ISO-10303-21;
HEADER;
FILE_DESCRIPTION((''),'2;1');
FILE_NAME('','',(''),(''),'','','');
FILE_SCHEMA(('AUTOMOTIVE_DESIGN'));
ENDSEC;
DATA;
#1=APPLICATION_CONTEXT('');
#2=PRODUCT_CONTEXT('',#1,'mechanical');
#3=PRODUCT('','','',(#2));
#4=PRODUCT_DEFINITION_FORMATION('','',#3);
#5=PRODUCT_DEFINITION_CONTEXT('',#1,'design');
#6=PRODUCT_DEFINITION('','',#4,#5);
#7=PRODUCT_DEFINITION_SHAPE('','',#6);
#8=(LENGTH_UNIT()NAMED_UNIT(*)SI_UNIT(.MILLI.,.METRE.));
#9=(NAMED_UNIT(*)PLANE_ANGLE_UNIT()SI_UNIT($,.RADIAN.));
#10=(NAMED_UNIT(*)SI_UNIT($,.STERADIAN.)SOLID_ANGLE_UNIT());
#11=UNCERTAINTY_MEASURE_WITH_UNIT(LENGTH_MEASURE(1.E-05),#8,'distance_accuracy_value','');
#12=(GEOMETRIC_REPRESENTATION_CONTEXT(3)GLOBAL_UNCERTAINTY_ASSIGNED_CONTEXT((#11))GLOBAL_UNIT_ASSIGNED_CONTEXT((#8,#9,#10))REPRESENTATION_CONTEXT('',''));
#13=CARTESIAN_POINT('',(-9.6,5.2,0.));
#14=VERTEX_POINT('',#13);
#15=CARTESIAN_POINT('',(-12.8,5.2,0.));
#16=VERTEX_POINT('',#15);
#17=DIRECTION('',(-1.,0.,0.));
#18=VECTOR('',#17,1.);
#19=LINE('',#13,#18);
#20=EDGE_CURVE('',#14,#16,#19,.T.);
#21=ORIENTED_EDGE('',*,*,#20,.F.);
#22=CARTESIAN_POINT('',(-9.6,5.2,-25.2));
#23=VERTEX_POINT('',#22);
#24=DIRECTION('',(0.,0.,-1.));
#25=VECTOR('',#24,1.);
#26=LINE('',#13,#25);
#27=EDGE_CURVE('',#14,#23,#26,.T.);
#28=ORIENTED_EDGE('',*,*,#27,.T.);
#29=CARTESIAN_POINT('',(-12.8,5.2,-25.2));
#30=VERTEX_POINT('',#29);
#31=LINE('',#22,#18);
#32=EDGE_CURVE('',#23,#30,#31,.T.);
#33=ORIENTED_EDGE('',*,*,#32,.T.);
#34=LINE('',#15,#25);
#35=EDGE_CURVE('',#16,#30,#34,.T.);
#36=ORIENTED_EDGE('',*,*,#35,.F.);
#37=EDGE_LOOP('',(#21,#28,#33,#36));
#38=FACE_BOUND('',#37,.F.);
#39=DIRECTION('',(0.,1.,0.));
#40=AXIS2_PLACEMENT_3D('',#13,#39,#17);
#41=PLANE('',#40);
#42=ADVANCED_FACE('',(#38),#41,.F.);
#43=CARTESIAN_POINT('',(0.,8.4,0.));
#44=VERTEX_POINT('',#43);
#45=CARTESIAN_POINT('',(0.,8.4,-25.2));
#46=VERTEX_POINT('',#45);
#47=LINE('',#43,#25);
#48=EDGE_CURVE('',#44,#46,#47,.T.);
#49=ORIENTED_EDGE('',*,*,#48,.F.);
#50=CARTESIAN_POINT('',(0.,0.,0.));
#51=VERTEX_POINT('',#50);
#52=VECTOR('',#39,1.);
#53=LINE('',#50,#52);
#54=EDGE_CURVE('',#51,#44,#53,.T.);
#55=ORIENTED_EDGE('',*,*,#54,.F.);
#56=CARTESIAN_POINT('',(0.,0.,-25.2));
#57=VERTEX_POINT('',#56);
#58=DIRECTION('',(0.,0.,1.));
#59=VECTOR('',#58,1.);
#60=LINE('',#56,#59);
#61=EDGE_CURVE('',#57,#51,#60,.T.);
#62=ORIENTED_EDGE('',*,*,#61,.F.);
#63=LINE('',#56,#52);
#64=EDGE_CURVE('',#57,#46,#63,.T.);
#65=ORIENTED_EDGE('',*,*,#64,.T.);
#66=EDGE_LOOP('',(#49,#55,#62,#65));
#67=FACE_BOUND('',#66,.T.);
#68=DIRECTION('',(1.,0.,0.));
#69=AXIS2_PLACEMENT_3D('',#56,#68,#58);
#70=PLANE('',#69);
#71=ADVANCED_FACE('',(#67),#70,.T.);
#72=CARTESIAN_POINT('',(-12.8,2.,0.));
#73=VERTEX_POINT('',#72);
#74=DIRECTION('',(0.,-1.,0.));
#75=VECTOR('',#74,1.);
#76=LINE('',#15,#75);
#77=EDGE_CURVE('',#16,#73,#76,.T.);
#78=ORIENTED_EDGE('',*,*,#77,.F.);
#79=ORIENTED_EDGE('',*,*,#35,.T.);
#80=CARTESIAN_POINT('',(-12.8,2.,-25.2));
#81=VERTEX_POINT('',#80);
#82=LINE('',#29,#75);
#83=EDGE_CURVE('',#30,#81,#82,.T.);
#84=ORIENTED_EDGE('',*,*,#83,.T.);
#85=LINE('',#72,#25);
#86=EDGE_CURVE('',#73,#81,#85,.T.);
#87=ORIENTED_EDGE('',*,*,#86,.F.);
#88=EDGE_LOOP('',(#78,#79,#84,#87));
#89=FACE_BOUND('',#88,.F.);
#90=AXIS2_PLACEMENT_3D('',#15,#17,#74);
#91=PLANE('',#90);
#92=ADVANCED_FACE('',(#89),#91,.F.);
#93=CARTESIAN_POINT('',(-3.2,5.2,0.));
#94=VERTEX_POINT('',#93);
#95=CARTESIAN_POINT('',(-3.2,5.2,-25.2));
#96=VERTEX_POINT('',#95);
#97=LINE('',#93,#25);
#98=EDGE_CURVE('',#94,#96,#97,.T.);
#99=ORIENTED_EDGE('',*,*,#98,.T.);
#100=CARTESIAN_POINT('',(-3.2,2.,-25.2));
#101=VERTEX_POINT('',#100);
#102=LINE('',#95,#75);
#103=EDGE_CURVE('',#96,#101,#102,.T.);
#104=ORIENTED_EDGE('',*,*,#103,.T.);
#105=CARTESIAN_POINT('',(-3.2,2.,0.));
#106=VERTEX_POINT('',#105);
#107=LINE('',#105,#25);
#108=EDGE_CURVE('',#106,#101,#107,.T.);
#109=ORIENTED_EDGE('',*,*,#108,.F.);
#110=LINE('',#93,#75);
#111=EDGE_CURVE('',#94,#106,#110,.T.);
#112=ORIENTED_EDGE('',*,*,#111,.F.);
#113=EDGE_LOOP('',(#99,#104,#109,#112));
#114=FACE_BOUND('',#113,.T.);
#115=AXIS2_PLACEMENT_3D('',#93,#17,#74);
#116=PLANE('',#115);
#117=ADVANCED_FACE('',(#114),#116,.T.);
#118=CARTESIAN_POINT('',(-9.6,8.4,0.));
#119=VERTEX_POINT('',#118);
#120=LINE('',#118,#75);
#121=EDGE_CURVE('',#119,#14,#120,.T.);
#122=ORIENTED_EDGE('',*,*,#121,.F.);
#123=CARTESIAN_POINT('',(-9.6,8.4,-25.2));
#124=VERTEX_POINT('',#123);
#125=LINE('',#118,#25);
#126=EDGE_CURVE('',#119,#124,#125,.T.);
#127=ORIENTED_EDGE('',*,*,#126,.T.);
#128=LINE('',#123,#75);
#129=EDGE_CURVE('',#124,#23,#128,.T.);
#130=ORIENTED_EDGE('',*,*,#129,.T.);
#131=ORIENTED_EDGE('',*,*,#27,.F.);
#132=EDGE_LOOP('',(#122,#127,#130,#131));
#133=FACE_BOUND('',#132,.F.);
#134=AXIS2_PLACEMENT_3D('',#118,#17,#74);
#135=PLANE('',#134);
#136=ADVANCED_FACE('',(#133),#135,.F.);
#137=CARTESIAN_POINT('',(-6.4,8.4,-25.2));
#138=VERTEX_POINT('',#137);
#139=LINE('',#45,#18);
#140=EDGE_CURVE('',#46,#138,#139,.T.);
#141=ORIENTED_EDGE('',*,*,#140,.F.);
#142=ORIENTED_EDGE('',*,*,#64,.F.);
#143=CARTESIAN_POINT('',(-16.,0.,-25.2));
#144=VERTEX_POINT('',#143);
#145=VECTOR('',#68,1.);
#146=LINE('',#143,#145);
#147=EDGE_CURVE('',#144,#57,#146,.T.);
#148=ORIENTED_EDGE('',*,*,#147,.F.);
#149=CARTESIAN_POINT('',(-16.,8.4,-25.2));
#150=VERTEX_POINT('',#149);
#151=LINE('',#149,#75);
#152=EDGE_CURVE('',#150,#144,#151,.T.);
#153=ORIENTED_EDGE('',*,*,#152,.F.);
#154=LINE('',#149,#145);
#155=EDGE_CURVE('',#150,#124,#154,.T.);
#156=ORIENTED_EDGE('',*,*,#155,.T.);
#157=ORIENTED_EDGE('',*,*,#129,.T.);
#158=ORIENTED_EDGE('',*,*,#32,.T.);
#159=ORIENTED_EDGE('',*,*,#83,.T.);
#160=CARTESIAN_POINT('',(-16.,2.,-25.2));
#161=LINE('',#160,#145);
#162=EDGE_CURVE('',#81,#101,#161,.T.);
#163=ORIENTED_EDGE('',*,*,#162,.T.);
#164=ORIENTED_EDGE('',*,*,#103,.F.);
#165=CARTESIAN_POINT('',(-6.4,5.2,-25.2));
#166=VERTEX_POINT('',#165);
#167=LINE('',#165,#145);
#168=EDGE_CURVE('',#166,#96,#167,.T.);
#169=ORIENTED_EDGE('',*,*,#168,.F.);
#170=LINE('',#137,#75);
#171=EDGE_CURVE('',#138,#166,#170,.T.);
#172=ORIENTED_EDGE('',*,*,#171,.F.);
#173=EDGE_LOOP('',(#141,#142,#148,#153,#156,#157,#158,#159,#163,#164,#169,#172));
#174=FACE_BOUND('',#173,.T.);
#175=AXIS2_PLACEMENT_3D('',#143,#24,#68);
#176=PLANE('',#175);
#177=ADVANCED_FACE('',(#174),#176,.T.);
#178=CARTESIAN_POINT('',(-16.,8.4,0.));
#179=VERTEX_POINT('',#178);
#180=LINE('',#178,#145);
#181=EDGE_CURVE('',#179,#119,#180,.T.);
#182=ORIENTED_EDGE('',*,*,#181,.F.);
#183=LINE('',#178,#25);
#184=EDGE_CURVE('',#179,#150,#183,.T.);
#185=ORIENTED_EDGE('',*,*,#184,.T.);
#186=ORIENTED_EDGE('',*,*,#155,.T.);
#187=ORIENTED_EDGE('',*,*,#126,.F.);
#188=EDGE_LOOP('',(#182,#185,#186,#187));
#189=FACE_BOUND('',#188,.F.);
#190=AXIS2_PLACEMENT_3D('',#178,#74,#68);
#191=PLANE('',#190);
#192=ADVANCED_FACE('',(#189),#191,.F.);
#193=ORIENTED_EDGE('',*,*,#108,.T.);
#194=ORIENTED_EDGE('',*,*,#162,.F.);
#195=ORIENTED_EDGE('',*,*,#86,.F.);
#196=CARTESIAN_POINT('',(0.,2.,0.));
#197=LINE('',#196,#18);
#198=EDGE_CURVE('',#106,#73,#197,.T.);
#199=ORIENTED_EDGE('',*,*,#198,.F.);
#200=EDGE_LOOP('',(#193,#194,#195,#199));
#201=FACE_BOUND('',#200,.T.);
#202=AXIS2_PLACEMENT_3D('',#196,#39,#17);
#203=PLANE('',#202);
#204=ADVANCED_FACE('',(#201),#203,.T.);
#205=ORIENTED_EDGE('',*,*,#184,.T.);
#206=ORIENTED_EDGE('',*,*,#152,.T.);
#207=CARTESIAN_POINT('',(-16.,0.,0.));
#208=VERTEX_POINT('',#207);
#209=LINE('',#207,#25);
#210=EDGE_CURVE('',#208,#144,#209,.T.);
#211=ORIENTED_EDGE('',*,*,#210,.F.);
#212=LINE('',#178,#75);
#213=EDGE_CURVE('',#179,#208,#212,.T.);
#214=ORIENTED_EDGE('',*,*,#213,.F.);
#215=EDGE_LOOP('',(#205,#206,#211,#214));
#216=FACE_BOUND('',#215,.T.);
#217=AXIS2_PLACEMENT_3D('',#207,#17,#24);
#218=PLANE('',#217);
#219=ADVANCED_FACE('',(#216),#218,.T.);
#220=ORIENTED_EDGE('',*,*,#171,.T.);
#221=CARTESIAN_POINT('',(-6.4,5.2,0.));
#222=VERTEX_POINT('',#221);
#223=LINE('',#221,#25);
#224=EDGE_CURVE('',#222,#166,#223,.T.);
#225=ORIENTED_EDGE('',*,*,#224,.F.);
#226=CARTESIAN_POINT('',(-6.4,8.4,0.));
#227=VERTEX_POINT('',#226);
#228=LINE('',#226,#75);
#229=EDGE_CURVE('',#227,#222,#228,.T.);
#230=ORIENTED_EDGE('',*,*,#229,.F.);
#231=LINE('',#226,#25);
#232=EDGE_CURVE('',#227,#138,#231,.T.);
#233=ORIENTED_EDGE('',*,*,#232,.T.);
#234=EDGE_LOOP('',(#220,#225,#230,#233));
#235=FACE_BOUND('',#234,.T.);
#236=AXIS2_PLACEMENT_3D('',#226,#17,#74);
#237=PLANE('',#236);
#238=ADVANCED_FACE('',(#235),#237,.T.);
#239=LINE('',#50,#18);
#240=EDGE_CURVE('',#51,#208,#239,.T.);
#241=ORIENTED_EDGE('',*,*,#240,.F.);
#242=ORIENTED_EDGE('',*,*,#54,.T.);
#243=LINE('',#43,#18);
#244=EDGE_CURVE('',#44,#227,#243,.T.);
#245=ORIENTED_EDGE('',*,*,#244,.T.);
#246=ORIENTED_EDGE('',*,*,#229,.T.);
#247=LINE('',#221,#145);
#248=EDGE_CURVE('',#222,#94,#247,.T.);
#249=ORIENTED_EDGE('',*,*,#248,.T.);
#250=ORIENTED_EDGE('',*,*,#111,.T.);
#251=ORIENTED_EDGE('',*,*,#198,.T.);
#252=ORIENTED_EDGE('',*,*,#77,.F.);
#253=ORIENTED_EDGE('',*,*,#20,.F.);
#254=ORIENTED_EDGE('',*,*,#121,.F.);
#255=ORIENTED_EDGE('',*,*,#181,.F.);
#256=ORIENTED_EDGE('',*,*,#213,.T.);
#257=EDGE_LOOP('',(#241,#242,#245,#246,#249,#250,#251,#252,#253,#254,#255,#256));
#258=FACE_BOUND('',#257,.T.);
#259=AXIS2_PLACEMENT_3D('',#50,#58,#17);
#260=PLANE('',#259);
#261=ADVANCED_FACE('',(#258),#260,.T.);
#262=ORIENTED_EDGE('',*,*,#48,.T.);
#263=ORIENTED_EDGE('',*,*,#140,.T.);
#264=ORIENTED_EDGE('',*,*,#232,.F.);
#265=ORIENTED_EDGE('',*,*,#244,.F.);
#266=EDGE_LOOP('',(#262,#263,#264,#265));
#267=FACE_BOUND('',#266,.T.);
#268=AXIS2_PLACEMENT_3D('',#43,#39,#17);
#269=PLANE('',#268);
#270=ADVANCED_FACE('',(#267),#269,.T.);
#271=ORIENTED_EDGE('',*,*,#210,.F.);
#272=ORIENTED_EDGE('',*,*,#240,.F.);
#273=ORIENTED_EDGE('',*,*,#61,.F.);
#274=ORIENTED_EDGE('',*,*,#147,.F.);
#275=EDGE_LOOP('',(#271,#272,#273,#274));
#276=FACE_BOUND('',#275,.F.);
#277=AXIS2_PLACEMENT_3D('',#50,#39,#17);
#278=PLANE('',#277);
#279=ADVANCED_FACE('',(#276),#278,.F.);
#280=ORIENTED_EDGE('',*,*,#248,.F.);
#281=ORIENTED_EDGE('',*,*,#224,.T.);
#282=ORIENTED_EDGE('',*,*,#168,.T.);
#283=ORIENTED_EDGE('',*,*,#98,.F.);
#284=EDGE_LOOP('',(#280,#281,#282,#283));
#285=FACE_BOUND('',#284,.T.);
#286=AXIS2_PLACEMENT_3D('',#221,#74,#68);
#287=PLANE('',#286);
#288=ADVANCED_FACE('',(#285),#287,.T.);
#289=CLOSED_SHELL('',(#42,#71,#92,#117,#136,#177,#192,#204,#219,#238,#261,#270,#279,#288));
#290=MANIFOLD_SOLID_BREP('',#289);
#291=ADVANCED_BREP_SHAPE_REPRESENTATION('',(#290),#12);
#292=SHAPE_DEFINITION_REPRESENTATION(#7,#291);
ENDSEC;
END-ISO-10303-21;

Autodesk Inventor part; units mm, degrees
ref_plane "YZ Plane" through (0, 0, 0) normal (1, 0, 0) x (0, 1, 0)
ref_plane "XZ Plane" through (0, 0, 0) normal (0, 1, 0) x (-1, 0, 0)
ref_plane "XY Plane" through (0, 0, 0) normal (0, 0, 1) x (1, 0, 0)
sketch "Sketch1" plane through (0, 0, 0) normal (0, 1, 0) x (-1, 0, 0)
  line L0 (0, 0) -> (16, 0)
  line L1 (16, 0) -> (16, -25.2)
  line L2 (16, -25.2) -> (0, -25.2)
  line L3 (0, -25.2) -> (0, 0)
  dimension "d0" = 16
  dimension "d1" = 25.2
extrude "Extrusion1" add sketch "Sketch1" along normal blind 2
sketch "Sketch2" plane through (-16, 0, 0) normal (0, 0, 1) x (1, 0, 0)
  line L0 (0, 2) -> (16, 2) projected
  line L1 (16, 2) -> (16, 8.4)
  line L2 (16, 8.4) -> (9.6, 8.4)
  line L3 (9.6, 8.4) -> (9.6, 5.2)
  line L4 (9.6, 5.2) -> (12.8, 5.2)
  line L5 (12.8, 5.2) -> (12.8, 2)
  line L6 (12.8, 2) -> (16, 2)
  line L7 (0, 2) -> (0, 8.4)
  line L8 (0, 8.4) -> (6.4, 8.4)
  line L9 (6.4, 8.4) -> (6.4, 5.2)
  line L10 (6.4, 5.2) -> (3.2, 5.2)
  line L11 (3.2, 5.2) -> (3.2, 2)
  point P0 (16, 0)
  dimension "d4" = 6.4
  dimension "d5" = 6.4
  dimension "d6" = 3.2
  dimension "d7" = 3.2
  dimension "d8" = 6.4
  dimension "d9" = 3.2
extrude "Extrusion2" add sketch "Sketch2" against normal blind 25.2
properties part number "testrail"
